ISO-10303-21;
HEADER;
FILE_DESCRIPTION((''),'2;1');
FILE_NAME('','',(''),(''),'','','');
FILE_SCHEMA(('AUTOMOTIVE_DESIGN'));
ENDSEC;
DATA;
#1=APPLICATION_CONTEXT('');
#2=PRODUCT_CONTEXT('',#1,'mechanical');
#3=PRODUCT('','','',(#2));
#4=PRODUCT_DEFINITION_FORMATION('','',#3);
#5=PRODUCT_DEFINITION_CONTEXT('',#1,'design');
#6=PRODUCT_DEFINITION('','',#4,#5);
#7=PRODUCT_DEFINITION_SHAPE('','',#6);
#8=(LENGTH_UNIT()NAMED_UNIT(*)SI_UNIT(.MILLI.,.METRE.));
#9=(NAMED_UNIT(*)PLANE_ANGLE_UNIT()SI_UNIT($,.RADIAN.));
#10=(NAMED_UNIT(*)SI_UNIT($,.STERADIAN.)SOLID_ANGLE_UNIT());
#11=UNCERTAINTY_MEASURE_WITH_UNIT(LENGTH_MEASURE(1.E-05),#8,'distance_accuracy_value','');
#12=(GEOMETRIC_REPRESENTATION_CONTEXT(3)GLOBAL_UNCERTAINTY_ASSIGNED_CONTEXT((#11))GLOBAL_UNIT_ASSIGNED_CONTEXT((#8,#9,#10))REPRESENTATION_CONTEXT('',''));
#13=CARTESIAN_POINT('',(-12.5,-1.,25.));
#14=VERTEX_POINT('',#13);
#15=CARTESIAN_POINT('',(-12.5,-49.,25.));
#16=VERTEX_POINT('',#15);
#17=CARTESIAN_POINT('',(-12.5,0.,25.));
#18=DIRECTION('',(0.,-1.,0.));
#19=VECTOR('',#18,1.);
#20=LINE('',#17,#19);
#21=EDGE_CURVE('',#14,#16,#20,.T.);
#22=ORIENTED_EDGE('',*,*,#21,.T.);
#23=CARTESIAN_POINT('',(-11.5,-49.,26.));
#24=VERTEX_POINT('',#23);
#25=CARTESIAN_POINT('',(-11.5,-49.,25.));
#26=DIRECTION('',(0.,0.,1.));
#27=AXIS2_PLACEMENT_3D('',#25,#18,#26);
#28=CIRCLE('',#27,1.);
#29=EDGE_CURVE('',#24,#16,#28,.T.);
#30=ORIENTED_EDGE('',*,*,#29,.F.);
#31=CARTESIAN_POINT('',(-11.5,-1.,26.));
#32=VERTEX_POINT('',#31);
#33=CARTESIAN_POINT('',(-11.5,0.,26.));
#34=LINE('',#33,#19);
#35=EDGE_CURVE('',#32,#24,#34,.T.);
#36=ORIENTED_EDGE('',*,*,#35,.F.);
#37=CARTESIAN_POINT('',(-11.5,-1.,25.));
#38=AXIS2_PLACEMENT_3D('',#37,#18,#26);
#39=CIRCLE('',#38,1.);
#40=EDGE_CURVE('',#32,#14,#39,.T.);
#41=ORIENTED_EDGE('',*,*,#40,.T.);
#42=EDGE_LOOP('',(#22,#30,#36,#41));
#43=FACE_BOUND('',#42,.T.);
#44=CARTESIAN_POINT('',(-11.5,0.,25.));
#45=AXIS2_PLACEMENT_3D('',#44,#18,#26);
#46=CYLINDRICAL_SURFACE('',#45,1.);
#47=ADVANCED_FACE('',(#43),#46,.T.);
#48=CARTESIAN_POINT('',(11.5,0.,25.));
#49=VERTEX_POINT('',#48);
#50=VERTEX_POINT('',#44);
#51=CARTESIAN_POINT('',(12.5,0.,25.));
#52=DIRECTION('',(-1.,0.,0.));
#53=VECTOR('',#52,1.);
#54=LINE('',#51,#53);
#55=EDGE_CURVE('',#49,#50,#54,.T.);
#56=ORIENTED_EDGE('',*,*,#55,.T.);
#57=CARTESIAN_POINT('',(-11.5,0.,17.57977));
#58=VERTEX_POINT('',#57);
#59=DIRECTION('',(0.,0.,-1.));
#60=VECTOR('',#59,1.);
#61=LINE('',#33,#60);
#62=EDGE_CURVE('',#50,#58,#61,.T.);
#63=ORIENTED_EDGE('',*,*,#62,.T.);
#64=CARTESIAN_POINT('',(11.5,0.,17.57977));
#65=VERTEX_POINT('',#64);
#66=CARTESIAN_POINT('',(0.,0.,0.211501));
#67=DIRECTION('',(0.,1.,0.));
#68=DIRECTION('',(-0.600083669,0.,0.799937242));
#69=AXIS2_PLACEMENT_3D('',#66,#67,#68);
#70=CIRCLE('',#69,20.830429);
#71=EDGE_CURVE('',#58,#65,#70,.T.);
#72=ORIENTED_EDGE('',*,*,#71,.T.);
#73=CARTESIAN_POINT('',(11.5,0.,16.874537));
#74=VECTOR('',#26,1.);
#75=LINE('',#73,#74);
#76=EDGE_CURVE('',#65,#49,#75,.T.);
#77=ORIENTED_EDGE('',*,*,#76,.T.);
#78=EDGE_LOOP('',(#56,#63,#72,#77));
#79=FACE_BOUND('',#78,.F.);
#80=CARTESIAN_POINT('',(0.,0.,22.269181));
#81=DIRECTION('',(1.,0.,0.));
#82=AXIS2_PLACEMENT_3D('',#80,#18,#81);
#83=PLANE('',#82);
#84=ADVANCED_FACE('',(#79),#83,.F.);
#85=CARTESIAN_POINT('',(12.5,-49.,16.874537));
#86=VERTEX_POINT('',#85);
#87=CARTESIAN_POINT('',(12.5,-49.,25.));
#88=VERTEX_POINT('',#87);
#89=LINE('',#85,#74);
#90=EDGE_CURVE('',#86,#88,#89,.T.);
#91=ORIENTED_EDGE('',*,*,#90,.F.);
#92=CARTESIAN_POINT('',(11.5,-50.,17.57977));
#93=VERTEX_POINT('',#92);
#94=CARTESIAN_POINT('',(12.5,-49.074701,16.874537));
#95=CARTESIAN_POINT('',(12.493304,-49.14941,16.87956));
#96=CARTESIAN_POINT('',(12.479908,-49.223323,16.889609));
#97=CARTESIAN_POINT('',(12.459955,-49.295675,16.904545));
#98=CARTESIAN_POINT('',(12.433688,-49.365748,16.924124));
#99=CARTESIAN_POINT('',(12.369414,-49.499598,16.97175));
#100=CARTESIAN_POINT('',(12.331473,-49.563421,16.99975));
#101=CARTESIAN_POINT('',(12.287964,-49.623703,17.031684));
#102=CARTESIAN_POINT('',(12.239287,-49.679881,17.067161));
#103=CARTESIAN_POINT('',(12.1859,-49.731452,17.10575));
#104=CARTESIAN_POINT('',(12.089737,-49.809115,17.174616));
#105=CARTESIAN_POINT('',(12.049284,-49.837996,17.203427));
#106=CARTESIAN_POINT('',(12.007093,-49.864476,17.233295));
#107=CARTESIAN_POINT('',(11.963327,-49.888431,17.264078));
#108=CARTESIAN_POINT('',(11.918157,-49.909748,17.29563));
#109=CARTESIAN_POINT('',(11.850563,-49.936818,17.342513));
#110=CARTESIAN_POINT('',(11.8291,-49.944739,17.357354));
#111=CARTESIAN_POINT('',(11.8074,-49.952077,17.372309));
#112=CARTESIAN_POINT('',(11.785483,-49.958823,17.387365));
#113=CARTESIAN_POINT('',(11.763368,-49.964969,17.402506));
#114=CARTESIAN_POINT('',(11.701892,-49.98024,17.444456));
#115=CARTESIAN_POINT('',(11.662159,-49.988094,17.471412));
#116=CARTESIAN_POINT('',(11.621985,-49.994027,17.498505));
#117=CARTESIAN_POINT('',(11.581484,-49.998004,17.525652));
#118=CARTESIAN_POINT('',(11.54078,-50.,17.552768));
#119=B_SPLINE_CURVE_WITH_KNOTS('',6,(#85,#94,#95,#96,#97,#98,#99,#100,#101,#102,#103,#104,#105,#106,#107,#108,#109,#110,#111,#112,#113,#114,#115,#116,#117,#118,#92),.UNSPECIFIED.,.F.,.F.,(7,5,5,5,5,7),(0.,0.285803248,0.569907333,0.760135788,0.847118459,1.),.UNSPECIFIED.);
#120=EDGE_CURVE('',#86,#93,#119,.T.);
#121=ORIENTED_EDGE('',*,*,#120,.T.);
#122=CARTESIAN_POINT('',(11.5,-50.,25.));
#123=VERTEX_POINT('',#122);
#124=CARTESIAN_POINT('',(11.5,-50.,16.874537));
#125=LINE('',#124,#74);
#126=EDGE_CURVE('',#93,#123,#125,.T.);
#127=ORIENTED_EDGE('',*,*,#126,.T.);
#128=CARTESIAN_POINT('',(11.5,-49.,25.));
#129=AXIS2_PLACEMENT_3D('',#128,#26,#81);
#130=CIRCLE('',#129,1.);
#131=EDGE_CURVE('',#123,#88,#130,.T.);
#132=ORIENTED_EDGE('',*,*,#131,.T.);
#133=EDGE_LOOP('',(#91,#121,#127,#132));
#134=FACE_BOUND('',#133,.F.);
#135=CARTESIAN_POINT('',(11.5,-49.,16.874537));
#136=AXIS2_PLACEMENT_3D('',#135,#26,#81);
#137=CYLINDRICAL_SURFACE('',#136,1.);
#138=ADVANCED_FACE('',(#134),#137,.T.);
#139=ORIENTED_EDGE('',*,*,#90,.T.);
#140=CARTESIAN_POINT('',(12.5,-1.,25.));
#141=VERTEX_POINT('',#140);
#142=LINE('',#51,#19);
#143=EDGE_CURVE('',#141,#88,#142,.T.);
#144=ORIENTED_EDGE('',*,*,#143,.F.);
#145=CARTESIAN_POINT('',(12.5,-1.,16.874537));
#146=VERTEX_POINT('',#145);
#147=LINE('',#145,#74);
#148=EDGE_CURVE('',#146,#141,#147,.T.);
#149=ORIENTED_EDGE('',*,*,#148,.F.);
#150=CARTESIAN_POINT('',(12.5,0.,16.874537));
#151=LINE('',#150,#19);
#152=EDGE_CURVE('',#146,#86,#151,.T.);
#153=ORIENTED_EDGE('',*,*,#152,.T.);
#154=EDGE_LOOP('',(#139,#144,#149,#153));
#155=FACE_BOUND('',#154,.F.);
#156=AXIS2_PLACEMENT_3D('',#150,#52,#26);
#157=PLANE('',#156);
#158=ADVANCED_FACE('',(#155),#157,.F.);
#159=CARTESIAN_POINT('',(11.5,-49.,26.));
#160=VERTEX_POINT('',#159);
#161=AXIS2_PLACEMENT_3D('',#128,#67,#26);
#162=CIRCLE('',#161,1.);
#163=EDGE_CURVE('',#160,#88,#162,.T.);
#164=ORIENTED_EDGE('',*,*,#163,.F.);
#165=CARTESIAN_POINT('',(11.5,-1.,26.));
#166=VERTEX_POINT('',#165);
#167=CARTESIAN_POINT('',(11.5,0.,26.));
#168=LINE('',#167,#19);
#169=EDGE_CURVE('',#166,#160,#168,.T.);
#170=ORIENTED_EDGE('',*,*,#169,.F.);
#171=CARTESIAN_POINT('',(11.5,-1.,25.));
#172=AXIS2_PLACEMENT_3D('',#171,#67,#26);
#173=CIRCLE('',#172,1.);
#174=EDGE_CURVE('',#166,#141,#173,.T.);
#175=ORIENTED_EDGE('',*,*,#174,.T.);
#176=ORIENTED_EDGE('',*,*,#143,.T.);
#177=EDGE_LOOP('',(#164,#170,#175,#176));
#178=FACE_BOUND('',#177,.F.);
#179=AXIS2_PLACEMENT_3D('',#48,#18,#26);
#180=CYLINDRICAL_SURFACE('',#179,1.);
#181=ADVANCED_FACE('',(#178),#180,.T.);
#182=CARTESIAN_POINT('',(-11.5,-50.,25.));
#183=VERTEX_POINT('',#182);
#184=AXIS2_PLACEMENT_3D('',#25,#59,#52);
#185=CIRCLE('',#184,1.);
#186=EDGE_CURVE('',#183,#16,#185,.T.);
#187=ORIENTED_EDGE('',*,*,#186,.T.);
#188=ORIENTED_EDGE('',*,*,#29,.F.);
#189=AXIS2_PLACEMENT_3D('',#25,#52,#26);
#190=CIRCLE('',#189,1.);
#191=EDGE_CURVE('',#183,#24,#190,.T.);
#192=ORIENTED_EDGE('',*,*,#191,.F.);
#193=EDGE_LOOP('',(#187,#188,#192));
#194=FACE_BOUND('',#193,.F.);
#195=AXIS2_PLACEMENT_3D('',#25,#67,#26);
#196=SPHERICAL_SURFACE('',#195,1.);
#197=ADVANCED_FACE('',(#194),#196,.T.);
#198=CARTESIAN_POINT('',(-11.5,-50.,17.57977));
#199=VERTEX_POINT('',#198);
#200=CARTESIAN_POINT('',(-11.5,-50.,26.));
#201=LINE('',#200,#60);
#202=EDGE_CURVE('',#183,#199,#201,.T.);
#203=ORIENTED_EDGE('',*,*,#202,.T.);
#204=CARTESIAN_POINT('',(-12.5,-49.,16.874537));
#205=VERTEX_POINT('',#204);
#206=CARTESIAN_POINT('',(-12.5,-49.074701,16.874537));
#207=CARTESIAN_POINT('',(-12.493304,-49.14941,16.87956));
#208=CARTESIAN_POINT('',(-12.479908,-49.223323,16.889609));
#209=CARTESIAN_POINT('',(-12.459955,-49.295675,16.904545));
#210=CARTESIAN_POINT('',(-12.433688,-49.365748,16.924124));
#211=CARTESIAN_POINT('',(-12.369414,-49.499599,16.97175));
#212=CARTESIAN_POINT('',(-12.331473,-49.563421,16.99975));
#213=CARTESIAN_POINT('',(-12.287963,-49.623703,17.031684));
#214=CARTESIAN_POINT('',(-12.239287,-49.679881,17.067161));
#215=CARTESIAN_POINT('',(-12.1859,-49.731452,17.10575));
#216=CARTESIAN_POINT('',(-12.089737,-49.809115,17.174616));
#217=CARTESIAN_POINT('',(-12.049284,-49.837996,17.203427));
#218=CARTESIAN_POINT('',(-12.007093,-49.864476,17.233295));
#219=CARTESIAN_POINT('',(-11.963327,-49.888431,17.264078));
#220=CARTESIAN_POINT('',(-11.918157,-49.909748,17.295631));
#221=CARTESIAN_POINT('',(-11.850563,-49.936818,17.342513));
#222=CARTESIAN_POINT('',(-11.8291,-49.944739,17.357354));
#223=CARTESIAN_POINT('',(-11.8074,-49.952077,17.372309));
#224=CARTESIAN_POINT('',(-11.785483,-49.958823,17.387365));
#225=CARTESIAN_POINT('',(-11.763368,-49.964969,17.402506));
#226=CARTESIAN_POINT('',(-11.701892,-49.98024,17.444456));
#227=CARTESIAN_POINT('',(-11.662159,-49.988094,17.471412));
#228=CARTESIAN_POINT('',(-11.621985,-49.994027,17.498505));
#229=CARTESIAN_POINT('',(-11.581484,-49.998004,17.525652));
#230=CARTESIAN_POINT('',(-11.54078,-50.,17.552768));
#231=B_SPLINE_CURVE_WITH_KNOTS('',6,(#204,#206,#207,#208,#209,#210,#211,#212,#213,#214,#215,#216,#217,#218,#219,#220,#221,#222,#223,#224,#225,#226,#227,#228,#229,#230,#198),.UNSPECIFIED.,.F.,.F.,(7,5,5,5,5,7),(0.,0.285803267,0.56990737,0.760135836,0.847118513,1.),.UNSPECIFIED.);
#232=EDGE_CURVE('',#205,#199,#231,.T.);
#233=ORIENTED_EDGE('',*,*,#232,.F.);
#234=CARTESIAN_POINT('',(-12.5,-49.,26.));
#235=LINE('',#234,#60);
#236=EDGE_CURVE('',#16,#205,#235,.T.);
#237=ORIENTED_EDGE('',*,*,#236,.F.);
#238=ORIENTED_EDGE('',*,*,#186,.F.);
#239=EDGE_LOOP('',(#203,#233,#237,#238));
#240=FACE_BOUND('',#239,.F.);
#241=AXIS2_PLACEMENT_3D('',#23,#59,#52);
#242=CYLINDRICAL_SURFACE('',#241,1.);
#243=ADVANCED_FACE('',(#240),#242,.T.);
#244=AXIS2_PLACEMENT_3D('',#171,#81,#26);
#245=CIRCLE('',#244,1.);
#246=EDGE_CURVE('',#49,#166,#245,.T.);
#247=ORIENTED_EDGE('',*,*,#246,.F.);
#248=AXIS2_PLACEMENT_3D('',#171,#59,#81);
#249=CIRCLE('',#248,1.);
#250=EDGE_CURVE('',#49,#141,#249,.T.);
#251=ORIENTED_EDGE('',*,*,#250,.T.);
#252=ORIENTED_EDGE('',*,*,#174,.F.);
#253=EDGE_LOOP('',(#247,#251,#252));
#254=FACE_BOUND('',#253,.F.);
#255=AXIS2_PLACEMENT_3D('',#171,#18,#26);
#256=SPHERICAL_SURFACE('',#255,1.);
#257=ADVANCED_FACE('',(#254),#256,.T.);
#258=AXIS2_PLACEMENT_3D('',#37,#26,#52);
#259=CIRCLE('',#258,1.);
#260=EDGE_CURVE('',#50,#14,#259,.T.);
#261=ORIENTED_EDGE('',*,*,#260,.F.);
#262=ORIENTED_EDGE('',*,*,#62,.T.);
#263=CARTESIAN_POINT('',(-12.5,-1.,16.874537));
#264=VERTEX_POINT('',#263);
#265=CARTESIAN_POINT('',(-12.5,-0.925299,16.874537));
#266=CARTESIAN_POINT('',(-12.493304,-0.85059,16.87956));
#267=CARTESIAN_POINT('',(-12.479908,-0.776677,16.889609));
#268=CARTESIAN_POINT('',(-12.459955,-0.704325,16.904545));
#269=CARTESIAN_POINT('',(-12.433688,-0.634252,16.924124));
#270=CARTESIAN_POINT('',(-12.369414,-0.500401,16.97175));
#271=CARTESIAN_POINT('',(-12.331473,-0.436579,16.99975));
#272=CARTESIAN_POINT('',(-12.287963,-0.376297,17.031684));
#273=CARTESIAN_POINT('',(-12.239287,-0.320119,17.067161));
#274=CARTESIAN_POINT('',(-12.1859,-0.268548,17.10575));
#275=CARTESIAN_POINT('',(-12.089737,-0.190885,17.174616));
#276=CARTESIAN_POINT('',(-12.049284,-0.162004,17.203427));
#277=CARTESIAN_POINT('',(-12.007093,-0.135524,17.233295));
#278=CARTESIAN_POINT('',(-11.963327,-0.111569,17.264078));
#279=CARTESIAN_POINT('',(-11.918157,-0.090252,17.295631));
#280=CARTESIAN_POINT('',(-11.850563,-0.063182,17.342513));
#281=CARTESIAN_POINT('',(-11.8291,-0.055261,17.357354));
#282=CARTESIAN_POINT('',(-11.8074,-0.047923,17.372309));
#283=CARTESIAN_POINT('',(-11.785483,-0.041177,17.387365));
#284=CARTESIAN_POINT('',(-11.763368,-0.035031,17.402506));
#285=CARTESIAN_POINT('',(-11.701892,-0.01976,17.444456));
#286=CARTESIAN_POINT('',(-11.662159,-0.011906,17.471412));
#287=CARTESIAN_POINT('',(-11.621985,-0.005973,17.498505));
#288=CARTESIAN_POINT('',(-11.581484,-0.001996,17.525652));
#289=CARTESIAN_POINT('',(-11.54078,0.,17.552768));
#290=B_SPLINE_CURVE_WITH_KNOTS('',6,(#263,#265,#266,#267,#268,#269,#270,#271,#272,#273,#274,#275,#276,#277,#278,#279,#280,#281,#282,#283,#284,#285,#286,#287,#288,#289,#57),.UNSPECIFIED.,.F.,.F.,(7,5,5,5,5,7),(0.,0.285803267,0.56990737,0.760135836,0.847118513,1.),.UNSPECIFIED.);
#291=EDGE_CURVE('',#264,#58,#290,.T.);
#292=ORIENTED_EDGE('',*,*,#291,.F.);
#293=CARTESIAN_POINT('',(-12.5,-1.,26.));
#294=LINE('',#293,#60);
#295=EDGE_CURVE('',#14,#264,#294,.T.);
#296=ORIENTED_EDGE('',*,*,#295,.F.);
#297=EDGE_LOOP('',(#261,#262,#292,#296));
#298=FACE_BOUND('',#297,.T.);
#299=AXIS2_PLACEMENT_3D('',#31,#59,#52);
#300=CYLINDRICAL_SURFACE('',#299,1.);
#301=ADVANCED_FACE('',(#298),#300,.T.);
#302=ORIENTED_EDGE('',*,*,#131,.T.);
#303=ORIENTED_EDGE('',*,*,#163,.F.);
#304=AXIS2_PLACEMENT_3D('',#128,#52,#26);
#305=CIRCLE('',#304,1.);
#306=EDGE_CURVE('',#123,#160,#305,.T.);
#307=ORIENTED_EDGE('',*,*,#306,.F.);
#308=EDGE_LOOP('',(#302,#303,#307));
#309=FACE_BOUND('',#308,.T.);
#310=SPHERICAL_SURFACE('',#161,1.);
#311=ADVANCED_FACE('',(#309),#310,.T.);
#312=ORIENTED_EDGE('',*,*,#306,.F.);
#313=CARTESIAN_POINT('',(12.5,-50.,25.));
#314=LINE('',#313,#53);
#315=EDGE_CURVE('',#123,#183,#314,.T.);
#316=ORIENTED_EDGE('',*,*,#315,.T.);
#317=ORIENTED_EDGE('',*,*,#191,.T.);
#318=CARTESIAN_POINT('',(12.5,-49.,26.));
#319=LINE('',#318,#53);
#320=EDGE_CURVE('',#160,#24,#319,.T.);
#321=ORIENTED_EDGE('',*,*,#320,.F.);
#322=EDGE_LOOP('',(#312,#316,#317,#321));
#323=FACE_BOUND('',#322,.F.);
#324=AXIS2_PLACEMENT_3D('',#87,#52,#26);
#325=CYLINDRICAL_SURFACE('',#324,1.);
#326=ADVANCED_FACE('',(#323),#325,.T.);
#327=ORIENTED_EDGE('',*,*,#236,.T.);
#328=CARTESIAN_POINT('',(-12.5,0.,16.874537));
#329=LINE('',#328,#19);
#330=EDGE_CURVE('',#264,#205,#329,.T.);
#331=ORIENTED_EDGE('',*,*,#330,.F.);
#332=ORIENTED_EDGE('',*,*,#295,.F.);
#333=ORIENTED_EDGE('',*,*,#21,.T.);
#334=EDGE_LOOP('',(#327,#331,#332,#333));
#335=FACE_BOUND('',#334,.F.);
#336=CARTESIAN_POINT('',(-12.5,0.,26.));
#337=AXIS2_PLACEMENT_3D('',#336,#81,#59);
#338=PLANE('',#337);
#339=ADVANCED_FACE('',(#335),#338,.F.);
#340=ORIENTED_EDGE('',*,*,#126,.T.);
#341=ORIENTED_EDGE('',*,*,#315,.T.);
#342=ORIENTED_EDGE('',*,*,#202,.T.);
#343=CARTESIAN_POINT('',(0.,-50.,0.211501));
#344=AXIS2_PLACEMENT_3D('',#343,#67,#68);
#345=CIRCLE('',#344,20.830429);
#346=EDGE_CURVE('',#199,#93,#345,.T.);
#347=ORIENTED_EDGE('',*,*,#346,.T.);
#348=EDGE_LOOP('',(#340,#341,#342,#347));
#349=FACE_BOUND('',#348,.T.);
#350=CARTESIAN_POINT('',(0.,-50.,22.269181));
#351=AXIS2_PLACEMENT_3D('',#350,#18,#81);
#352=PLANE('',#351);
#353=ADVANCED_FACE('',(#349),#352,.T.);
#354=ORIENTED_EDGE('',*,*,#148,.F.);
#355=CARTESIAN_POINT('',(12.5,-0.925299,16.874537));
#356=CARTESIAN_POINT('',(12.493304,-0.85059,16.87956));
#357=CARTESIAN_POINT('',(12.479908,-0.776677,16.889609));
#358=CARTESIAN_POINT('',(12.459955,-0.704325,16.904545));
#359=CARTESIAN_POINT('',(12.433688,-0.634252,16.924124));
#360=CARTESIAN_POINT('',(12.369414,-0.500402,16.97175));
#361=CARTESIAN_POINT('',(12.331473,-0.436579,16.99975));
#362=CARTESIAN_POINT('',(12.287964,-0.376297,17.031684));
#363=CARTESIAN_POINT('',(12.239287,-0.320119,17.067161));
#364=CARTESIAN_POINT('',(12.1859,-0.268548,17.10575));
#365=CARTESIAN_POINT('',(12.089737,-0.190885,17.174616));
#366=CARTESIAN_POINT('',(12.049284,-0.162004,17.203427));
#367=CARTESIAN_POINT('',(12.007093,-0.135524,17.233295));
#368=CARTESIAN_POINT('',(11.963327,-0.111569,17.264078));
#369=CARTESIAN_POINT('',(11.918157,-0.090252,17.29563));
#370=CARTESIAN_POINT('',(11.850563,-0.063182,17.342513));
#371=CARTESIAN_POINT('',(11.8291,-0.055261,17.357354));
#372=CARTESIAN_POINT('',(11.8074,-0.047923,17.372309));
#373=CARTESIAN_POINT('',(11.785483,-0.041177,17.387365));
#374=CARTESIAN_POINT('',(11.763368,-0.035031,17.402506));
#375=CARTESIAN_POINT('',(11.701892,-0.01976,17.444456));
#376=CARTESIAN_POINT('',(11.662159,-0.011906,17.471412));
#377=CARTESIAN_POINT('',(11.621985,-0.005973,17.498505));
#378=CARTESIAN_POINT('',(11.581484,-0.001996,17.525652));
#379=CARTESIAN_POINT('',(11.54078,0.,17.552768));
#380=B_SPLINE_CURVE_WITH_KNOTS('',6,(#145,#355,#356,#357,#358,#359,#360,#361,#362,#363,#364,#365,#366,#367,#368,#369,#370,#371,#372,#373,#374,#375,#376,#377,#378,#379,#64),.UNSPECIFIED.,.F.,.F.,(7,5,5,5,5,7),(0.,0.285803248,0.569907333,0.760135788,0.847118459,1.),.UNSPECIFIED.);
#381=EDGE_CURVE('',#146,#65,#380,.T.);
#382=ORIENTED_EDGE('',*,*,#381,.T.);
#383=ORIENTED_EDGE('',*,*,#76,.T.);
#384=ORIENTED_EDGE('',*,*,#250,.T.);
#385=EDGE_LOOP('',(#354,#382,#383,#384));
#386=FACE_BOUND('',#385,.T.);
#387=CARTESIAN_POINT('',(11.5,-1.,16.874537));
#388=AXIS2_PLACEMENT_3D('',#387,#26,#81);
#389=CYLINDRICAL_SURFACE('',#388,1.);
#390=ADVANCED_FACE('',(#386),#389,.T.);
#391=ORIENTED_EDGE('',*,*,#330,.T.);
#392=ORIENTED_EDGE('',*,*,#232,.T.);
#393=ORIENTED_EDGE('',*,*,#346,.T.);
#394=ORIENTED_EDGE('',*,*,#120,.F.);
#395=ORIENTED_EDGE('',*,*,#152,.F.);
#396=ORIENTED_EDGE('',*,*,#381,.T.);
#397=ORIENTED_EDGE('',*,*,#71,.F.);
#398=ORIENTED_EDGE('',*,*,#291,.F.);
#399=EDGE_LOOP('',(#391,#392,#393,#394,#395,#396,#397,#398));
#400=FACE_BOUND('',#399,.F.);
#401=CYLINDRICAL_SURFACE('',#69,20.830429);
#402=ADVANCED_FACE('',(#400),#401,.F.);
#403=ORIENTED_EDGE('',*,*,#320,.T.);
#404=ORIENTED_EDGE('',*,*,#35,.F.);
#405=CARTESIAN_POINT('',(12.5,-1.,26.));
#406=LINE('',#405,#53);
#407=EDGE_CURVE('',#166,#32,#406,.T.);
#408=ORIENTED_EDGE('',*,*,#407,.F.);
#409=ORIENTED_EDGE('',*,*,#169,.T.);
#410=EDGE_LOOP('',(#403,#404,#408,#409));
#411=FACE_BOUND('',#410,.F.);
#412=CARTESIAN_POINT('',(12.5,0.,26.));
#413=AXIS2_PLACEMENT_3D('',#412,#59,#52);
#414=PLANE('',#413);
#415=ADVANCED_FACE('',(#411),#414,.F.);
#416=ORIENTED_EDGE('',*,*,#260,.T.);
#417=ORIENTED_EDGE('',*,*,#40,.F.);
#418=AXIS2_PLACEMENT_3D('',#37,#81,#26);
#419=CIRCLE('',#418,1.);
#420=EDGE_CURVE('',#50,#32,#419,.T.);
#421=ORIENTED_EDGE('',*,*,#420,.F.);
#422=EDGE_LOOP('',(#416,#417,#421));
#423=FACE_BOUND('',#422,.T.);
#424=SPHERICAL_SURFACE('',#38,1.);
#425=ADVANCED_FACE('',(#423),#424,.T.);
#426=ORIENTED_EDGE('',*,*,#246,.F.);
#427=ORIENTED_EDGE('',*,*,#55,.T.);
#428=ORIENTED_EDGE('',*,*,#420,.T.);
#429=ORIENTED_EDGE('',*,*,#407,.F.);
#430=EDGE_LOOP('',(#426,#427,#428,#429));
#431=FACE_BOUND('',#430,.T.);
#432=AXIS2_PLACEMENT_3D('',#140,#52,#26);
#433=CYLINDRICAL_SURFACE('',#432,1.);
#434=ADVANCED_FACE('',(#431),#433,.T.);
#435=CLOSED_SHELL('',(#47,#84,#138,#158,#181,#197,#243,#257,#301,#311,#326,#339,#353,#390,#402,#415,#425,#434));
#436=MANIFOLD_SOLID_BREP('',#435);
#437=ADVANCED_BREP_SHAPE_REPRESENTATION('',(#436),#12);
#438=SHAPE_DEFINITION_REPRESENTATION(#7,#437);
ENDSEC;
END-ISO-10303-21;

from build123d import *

# Parameters (mm, degrees)
F1_DEPTH = 50
F2_R     = 1


with BuildPart() as f1:
    # F0 (on Front) → F1 (new body)
    with BuildSketch(Plane.XZ):
        with BuildLine():
            Line((12.5, 26), (-12.5, 26))
            Line((-12.5, 26), (-12.5, 16.874537))
            ThreePointArc((-12.5, 16.874537), (0, 21.04193), (12.5, 16.874537))
            Line((12.5, 16.874537), (12.5, 26))
        make_face()
    extrude(amount=F1_DEPTH)

    # F2
    f2_edges = [f1.edges().sort_by_distance(p)[0] for p in [
        (12.5, -25, 26),
        (-12.5, -25, 26),
        (0, 0, 26),
        (0, -50, 26),
        (12.5, -50, 21.437269),
        (-12.5, -50, 21.437269),
        (-12.5, 0, 21.437269),
        (12.5, 0, 21.437269),
    ]]
    fillet(f2_edges, radius=F2_R)


solid = f1.part
